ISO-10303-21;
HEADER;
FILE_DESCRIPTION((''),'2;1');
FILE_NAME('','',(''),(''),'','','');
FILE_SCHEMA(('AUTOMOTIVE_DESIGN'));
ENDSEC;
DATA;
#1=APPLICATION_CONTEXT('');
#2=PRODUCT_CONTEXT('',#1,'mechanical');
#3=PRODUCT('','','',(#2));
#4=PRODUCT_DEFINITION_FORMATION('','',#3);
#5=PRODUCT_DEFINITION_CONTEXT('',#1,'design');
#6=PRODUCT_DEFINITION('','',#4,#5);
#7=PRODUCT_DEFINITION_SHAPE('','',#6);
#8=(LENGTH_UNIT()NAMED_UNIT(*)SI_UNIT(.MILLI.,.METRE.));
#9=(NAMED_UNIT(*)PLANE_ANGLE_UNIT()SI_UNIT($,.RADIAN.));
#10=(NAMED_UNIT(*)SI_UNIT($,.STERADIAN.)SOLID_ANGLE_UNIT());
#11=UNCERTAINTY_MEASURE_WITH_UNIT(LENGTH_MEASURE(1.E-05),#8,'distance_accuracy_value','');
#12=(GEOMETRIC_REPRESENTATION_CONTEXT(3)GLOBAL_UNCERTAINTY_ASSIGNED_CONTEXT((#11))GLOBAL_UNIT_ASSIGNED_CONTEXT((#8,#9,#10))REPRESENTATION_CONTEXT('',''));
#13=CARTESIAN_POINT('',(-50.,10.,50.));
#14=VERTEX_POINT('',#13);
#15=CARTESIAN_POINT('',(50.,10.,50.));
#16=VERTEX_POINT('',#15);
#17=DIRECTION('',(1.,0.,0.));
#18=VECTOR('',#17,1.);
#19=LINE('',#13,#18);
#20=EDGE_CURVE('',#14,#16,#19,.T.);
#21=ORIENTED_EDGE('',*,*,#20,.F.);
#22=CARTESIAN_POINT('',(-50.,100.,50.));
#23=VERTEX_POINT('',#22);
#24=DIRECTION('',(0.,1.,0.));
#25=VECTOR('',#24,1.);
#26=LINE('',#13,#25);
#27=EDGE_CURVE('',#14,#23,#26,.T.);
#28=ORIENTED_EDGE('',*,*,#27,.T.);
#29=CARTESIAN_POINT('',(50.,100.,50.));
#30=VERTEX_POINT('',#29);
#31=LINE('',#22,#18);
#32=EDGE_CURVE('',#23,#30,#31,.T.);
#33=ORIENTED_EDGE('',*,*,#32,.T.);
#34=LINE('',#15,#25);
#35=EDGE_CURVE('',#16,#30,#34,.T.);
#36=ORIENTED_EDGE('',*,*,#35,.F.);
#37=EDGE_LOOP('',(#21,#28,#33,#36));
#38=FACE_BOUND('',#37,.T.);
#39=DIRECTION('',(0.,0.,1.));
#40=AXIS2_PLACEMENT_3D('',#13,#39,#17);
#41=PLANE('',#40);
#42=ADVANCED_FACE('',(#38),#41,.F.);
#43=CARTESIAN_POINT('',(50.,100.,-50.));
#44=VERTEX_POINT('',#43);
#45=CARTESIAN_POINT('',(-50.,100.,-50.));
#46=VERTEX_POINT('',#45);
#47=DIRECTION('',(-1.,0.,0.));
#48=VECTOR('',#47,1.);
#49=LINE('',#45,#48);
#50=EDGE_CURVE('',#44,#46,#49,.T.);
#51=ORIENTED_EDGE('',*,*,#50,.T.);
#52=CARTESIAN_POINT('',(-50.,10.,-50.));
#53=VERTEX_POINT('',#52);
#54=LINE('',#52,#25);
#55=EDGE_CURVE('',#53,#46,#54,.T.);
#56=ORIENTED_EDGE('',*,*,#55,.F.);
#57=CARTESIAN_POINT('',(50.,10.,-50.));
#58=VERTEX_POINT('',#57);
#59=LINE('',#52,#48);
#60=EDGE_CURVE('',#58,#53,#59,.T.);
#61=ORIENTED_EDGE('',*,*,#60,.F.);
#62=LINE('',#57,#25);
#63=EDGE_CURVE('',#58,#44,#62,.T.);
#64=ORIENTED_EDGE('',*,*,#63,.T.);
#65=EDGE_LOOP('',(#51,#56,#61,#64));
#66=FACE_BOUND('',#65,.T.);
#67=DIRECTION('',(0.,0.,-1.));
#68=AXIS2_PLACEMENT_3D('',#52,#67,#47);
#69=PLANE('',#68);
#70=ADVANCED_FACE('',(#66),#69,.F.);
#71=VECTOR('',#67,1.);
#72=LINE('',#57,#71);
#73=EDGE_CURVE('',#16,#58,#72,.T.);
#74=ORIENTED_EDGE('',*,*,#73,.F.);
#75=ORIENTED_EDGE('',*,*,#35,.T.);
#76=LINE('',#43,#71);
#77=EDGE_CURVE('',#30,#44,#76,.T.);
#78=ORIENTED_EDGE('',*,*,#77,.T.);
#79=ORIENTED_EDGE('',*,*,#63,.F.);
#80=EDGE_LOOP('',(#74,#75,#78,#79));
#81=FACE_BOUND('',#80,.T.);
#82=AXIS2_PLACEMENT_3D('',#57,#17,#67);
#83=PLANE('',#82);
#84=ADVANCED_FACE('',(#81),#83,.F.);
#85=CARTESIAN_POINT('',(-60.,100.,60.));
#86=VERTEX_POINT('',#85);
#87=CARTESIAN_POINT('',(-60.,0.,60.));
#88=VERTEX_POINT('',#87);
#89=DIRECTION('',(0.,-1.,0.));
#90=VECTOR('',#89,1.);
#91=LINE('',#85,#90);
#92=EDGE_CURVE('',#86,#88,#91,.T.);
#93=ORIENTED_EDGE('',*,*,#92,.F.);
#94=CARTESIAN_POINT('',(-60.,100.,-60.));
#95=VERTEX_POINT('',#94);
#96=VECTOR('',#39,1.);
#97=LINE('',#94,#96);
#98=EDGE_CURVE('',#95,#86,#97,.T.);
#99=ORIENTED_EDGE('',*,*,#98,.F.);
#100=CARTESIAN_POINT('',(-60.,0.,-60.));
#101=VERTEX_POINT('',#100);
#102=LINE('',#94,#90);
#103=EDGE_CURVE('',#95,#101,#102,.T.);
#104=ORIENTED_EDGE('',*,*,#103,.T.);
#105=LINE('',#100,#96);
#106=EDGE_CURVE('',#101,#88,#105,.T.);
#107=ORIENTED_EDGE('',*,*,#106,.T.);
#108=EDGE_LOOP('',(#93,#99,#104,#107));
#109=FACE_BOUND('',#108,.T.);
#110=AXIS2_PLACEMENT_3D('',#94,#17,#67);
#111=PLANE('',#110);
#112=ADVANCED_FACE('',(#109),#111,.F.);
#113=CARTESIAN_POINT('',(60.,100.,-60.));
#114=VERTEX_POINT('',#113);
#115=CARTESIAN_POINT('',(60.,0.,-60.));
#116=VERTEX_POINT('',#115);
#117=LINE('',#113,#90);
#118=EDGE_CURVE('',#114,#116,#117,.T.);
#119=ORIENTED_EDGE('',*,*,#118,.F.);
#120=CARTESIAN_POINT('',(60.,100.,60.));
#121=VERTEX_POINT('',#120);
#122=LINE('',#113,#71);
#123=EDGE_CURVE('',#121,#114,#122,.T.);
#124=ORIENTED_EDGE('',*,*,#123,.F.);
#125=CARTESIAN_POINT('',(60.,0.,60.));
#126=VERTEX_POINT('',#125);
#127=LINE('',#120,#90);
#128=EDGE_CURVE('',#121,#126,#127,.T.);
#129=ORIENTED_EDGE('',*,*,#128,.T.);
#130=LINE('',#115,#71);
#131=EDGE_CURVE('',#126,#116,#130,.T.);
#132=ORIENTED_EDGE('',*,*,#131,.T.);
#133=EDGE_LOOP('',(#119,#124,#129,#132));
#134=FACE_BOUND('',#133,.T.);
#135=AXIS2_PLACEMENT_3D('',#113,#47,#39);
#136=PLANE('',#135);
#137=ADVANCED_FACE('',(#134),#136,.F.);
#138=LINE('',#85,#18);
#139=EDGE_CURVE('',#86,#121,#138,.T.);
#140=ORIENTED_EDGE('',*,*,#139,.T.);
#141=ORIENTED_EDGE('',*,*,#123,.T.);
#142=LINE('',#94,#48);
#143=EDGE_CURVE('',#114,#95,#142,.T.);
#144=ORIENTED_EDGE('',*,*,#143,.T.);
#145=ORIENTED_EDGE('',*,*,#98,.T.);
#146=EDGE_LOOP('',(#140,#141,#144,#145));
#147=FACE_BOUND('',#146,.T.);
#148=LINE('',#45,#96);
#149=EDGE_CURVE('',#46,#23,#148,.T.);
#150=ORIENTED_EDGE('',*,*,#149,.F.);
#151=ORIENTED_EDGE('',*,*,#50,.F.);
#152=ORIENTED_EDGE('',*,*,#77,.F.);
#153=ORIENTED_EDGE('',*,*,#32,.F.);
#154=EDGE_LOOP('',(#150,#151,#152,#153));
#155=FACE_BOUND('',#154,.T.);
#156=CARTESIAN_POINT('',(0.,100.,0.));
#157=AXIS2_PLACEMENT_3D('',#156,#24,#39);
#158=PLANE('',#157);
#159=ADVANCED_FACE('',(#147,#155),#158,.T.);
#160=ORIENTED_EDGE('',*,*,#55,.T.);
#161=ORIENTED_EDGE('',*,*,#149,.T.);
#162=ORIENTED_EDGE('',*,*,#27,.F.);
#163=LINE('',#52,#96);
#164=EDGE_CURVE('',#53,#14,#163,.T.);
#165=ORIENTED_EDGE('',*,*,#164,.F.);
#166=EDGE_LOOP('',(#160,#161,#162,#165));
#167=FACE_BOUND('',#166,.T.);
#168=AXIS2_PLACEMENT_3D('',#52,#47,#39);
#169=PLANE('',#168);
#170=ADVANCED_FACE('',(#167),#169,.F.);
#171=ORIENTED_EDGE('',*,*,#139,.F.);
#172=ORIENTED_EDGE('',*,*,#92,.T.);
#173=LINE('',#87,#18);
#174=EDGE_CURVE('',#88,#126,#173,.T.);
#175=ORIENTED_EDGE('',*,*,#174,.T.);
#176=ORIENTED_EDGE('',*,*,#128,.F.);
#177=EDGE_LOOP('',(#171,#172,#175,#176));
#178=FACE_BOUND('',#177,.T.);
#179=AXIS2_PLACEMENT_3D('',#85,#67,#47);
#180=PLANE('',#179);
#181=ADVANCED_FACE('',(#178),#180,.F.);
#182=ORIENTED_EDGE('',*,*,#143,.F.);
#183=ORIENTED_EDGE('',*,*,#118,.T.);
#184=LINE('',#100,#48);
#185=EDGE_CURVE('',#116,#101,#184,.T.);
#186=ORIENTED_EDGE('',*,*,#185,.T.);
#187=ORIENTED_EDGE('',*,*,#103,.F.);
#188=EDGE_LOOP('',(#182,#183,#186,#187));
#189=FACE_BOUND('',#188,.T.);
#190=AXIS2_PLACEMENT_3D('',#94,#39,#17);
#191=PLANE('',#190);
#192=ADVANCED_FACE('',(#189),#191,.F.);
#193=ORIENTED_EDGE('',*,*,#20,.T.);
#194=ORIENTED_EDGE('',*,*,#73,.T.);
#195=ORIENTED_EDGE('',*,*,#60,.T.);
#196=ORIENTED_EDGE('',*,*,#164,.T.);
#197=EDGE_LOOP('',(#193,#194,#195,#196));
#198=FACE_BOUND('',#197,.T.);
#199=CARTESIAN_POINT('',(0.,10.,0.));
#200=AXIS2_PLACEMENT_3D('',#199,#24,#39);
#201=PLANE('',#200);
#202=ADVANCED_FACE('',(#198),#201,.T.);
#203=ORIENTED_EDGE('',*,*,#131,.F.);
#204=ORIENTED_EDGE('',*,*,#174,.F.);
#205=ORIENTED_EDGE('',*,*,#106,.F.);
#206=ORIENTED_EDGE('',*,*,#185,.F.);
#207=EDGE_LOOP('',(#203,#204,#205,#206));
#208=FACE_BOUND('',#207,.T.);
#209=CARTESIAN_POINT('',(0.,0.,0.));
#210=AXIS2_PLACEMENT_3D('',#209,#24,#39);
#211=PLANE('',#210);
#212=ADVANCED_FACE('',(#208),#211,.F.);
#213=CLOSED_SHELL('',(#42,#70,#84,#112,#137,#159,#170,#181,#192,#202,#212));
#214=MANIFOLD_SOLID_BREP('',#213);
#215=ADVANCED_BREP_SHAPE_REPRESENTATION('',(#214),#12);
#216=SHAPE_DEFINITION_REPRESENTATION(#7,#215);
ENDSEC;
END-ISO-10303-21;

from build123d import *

# Parameters (mm, degrees)
SKETCH_1_W          = 120
SKETCH_1_H          = 120
EXTRUDE_1_DEPTH     = 100
SKETCH_2_W          = 100
SKETCH_2_H          = 100
CUT_EXTRUDE_1_DEPTH = 90


with BuildPart() as part:
    # 草图1 → 凸台-拉伸1 (new body)
    with BuildSketch(Plane(origin=(0, 0, 0), x_dir=(1, 0, 0), z_dir=(0, 1, 0))):
        Rectangle(SKETCH_1_W, SKETCH_1_H)
    extrude(amount=EXTRUDE_1_DEPTH)

    # 草图2 → 切除-拉伸1 (cut)
    with BuildSketch(Plane(origin=(0, 100, 0), x_dir=(1, 0, 0), z_dir=(0, 1, 0))):
        Rectangle(SKETCH_2_W, SKETCH_2_H)
    extrude(amount=-CUT_EXTRUDE_1_DEPTH, mode=Mode.SUBTRACT)


solid = part.part
